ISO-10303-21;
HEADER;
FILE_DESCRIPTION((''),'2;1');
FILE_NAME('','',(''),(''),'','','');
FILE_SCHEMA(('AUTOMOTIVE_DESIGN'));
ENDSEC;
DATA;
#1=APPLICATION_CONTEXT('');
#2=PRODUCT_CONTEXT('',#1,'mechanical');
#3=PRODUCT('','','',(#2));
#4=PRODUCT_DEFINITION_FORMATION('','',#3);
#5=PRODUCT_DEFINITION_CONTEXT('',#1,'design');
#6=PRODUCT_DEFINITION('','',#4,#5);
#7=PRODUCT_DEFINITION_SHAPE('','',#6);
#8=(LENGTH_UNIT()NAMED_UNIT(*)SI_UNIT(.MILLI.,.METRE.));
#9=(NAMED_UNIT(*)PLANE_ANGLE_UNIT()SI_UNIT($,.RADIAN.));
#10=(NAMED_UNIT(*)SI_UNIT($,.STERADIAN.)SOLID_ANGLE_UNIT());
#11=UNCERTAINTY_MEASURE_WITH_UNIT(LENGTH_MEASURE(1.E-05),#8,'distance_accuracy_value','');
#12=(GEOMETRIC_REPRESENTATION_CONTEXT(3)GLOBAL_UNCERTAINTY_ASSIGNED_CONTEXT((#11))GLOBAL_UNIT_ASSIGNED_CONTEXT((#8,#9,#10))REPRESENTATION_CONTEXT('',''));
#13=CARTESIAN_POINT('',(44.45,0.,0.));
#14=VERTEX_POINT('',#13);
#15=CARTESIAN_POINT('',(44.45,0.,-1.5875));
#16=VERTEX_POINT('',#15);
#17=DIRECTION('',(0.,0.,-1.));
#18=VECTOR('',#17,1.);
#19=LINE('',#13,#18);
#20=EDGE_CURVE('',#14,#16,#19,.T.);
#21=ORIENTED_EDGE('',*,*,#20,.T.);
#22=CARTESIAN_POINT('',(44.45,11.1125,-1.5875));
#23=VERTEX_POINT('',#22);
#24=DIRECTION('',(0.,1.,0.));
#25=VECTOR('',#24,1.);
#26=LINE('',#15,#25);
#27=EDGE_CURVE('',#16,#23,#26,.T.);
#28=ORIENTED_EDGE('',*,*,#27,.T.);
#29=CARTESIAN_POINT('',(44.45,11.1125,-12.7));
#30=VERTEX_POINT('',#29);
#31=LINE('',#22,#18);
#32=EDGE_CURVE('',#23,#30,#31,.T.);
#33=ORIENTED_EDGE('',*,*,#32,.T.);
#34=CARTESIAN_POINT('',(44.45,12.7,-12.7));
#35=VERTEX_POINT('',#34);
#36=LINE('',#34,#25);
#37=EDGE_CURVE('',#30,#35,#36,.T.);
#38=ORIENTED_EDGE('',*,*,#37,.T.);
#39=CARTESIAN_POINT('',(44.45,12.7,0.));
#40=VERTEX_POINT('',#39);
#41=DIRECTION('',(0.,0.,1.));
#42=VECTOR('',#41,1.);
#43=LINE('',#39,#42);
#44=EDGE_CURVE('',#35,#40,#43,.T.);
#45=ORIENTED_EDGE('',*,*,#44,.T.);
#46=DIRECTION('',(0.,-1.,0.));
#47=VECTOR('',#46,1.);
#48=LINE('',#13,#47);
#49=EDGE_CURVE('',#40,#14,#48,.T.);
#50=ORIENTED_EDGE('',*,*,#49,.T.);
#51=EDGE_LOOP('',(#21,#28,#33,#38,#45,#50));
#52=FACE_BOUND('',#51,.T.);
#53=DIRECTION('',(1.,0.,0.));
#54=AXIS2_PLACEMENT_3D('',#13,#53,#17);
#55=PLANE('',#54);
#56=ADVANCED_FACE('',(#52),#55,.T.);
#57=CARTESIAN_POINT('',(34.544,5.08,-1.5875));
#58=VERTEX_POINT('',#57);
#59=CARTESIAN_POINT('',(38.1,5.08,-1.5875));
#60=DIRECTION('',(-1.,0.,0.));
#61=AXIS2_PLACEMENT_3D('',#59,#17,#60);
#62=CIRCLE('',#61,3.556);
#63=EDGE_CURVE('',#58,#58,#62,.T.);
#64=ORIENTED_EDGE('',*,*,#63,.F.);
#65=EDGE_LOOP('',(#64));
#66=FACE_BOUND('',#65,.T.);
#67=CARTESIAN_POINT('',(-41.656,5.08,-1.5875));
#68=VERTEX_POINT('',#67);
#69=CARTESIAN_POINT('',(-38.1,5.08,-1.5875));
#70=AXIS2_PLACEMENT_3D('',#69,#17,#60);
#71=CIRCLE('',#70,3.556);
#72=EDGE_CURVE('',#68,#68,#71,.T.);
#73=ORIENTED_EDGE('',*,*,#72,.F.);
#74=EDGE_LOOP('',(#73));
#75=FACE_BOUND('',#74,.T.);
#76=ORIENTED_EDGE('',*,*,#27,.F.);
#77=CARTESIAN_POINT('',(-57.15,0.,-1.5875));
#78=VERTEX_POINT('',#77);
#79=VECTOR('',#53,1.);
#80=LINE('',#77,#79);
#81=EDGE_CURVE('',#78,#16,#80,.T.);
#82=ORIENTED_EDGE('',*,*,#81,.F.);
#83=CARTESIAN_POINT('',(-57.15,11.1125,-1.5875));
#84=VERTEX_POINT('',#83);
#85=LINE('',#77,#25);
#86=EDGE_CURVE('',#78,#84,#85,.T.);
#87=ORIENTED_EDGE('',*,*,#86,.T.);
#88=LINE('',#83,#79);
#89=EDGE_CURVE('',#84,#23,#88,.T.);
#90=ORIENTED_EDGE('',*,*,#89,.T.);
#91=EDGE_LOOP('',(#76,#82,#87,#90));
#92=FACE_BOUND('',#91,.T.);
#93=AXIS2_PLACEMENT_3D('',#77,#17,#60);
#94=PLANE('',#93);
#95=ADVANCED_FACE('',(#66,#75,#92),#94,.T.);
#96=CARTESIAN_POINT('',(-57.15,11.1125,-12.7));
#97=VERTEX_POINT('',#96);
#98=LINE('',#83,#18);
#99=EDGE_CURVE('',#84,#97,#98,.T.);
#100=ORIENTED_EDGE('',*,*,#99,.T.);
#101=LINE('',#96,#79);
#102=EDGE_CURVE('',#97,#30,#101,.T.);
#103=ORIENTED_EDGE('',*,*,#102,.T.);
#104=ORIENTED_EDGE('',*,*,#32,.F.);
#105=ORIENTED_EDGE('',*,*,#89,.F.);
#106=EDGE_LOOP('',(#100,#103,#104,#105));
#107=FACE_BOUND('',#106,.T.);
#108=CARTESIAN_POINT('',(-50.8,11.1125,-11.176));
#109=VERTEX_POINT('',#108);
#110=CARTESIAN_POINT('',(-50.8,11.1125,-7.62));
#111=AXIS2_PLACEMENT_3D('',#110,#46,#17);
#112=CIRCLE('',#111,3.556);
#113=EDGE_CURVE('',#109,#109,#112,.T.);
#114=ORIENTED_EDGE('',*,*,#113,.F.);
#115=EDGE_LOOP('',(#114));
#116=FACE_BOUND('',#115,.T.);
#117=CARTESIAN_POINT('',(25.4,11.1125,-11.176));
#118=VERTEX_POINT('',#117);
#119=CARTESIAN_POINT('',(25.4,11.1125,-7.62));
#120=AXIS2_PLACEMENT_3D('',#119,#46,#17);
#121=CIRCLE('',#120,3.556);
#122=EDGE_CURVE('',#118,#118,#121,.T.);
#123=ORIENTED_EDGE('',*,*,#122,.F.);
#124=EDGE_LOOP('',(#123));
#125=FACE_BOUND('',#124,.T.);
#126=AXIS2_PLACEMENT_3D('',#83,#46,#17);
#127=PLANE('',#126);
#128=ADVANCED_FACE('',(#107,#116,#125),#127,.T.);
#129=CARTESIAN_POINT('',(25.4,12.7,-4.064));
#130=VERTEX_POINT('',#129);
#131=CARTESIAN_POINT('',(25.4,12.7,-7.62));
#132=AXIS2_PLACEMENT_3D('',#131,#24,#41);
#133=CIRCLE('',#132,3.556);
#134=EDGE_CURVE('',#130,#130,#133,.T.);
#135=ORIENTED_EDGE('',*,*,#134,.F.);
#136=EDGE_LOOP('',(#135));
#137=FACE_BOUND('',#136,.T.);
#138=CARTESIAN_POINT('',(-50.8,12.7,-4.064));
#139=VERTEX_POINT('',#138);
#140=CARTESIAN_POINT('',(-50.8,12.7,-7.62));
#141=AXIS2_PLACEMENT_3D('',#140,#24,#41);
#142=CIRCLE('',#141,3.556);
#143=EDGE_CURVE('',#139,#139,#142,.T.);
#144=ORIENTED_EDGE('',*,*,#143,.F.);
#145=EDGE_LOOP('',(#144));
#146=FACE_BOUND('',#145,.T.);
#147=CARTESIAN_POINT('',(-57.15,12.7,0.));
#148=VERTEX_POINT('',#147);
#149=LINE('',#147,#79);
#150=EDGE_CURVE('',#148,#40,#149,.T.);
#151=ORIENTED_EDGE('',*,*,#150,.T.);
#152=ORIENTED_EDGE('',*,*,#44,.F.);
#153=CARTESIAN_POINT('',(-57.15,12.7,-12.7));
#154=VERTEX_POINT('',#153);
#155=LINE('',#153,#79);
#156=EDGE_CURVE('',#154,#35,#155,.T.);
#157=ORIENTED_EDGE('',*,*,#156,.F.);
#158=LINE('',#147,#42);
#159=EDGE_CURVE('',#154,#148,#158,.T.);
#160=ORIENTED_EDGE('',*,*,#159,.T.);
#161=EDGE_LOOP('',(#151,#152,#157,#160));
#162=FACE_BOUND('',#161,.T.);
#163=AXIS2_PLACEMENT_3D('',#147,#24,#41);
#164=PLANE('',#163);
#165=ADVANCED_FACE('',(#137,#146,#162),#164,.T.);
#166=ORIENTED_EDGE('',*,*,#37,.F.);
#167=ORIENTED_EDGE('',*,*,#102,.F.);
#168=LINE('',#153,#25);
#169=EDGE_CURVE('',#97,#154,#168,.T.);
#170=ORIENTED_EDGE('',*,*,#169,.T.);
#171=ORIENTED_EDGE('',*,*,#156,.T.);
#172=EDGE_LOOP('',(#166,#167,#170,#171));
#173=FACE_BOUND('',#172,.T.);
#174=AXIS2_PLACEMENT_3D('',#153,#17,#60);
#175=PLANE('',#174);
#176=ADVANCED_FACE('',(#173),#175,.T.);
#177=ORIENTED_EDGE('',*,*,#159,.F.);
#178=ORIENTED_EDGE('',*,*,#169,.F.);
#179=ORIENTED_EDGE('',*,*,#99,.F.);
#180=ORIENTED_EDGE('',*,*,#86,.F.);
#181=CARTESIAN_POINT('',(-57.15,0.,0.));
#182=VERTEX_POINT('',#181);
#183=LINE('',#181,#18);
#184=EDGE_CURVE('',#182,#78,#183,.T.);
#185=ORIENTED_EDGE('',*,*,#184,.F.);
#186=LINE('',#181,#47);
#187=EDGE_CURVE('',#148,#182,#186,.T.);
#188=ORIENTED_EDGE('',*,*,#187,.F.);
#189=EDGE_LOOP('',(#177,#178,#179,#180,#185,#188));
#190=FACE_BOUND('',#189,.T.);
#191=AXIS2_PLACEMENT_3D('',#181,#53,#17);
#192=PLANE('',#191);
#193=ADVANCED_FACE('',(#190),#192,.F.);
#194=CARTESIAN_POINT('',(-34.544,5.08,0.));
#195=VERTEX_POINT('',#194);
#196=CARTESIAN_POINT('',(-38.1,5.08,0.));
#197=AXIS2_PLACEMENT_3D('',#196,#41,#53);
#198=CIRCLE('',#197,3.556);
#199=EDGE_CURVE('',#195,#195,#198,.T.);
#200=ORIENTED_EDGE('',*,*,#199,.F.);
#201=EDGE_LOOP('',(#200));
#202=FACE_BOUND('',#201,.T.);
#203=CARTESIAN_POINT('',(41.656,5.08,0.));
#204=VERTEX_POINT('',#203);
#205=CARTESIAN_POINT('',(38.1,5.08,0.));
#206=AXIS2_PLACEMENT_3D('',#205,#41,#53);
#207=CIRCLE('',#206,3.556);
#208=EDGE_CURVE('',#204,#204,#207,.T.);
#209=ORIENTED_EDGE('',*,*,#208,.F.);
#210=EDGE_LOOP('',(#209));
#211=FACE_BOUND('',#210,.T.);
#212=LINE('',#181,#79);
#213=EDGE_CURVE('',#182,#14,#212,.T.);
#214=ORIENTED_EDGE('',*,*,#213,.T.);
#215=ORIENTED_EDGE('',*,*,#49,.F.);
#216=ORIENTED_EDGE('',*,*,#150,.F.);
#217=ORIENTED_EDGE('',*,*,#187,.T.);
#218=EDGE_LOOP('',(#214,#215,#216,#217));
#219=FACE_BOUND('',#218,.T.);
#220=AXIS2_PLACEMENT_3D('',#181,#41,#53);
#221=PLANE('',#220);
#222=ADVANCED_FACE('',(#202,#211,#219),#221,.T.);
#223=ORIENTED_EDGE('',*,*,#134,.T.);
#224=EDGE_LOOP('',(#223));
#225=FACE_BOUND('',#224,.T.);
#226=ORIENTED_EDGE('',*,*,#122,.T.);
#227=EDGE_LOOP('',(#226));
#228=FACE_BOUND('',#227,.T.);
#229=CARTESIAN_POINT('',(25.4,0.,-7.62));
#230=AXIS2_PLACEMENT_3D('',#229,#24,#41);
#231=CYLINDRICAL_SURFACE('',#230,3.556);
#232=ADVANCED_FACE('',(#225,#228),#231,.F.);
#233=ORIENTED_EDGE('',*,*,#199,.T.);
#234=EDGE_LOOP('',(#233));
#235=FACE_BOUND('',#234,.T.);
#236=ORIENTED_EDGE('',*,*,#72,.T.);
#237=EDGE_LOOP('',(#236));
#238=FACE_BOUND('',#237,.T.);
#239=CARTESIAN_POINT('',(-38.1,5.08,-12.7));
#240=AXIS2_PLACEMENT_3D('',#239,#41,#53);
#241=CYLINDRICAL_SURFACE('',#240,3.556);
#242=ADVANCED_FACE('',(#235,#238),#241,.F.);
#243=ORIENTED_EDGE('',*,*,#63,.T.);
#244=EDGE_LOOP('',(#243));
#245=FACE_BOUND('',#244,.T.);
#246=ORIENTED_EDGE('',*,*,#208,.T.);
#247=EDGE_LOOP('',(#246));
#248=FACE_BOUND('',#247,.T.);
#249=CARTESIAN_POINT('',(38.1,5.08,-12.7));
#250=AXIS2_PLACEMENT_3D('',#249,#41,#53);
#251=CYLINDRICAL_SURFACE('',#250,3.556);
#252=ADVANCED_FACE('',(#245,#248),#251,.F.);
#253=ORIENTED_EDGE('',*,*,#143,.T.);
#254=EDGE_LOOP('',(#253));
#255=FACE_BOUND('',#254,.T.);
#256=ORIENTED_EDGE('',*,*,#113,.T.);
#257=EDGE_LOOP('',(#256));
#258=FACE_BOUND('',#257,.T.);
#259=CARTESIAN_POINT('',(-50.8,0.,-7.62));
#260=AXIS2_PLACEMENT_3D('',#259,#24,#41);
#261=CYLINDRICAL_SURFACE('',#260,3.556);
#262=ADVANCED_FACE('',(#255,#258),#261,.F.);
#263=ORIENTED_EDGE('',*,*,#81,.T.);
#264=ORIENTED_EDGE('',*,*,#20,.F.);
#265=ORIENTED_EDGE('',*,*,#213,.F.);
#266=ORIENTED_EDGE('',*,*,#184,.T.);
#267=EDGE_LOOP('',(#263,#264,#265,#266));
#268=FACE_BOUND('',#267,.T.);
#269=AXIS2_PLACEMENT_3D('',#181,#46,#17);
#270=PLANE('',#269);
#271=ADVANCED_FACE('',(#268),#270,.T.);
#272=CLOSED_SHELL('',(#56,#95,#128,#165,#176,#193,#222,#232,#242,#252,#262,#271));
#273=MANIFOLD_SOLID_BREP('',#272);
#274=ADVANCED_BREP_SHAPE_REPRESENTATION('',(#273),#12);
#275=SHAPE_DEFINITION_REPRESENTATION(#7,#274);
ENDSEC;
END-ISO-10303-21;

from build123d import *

# Parameters (mm, degrees)
BOSS_EXTRUDE1_DEPTH      = 44.45
BOSS_EXTRUDE1_DEPTH_BACK = 57.15
SKETCH3_R                = 3.556
CUT_EXTRUDE1_DEPTH       = 13.7
SKETCH5_R                = 3.556
CUT_EXTRUDE2_DEPTH       = 13.7


with BuildPart() as part:
    # Sketch1 → Boss-Extrude1 (new body, two sides)
    with BuildSketch(Plane(origin=(0, 0, 0), x_dir=(0, 0, -1), z_dir=(1, 0, 0))) as boss_extrude1_sk:
        Polygon((0, 0), (0, 12.7), (12.7, 12.7), (12.7, 11.1125), (1.5875, 11.1125), (1.5875, 0), align=None)
    extrude(amount=BOSS_EXTRUDE1_DEPTH)
    extrude(boss_extrude1_sk.sketch, amount=-BOSS_EXTRUDE1_DEPTH_BACK)

    # Sketch3 → Cut-Extrude1 (cut, through all)
    with BuildSketch(Plane.XY):
        with Locations((-38.1, 5.08)):
            Circle(SKETCH3_R)
        with Locations((38.1, 5.08)):
            Circle(SKETCH3_R)
    extrude(amount=-CUT_EXTRUDE1_DEPTH, mode=Mode.SUBTRACT)

    # Sketch5 → Cut-Extrude2 (cut, through all)
    with BuildSketch(Plane(origin=(0, 12.7, 0), x_dir=(1, 0, 0), z_dir=(0, 1, 0))):
        with Locations((-50.8, 7.62)):
            Circle(SKETCH5_R)
        with Locations((25.4, 7.62)):
            Circle(SKETCH5_R)
    extrude(amount=-CUT_EXTRUDE2_DEPTH, mode=Mode.SUBTRACT)


solid = part.part
